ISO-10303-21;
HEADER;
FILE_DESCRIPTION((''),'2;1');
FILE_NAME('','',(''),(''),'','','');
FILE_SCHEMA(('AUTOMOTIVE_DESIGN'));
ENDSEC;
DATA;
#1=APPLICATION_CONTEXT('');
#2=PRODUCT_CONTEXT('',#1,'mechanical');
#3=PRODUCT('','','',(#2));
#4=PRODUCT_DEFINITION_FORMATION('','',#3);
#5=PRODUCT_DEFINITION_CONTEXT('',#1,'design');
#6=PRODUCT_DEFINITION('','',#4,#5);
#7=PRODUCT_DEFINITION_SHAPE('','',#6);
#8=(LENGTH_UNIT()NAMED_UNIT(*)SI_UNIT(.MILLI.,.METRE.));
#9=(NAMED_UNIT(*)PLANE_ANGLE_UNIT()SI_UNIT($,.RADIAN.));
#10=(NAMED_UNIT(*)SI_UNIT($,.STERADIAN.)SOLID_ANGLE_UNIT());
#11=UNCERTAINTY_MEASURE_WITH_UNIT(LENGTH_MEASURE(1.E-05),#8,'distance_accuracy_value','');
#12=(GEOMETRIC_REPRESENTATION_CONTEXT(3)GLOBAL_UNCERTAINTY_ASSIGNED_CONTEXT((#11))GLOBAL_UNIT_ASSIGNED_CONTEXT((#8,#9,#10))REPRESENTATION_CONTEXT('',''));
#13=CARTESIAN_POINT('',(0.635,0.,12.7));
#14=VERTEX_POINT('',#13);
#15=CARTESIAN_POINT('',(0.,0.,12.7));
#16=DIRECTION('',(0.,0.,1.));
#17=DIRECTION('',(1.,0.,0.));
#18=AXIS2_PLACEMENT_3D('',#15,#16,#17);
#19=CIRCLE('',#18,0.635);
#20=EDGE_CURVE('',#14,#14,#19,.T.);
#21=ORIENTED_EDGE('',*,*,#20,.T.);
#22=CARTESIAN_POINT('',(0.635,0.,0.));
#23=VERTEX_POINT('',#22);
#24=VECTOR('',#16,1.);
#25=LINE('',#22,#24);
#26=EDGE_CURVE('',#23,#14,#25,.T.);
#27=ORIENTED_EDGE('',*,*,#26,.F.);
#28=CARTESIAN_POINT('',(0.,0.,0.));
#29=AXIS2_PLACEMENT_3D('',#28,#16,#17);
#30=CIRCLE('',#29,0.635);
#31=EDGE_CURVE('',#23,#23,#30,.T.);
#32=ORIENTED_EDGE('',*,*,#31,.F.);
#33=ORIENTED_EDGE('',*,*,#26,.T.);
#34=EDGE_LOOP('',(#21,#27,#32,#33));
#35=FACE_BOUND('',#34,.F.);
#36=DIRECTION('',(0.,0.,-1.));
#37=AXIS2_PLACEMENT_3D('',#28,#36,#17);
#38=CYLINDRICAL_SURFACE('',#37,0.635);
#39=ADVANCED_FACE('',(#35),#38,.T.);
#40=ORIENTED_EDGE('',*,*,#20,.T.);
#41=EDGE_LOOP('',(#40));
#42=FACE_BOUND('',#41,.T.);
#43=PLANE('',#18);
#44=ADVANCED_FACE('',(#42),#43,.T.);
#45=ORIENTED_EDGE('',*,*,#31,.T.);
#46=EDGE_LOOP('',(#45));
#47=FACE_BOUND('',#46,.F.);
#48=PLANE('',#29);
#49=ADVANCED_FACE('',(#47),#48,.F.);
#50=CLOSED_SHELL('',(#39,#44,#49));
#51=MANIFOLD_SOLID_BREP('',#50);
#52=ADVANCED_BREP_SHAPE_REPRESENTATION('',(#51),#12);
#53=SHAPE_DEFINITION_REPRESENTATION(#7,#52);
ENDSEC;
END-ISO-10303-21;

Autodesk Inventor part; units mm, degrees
ref_plane "YZ Plane" through (0, 0, 0) normal (1, 0, 0) x (0, 1, 0)
ref_plane "XZ Plane" through (0, 0, 0) normal (0, 1, 0) x (-1, 0, 0)
ref_plane "XY Plane" through (0, 0, 0) normal (0, 0, 1) x (1, 0, 0)
sketch "Sketch1" plane through (0, 0, 0) normal (0, 0, 1) x (1, 0, 0)
  circle A0 centre (0, 0) radius 0.635
  dimension "d0" = 1.27
extrude "Extrusion1" add sketch "Sketch1" along normal blind 12.7
properties part number "Wire_Red"
